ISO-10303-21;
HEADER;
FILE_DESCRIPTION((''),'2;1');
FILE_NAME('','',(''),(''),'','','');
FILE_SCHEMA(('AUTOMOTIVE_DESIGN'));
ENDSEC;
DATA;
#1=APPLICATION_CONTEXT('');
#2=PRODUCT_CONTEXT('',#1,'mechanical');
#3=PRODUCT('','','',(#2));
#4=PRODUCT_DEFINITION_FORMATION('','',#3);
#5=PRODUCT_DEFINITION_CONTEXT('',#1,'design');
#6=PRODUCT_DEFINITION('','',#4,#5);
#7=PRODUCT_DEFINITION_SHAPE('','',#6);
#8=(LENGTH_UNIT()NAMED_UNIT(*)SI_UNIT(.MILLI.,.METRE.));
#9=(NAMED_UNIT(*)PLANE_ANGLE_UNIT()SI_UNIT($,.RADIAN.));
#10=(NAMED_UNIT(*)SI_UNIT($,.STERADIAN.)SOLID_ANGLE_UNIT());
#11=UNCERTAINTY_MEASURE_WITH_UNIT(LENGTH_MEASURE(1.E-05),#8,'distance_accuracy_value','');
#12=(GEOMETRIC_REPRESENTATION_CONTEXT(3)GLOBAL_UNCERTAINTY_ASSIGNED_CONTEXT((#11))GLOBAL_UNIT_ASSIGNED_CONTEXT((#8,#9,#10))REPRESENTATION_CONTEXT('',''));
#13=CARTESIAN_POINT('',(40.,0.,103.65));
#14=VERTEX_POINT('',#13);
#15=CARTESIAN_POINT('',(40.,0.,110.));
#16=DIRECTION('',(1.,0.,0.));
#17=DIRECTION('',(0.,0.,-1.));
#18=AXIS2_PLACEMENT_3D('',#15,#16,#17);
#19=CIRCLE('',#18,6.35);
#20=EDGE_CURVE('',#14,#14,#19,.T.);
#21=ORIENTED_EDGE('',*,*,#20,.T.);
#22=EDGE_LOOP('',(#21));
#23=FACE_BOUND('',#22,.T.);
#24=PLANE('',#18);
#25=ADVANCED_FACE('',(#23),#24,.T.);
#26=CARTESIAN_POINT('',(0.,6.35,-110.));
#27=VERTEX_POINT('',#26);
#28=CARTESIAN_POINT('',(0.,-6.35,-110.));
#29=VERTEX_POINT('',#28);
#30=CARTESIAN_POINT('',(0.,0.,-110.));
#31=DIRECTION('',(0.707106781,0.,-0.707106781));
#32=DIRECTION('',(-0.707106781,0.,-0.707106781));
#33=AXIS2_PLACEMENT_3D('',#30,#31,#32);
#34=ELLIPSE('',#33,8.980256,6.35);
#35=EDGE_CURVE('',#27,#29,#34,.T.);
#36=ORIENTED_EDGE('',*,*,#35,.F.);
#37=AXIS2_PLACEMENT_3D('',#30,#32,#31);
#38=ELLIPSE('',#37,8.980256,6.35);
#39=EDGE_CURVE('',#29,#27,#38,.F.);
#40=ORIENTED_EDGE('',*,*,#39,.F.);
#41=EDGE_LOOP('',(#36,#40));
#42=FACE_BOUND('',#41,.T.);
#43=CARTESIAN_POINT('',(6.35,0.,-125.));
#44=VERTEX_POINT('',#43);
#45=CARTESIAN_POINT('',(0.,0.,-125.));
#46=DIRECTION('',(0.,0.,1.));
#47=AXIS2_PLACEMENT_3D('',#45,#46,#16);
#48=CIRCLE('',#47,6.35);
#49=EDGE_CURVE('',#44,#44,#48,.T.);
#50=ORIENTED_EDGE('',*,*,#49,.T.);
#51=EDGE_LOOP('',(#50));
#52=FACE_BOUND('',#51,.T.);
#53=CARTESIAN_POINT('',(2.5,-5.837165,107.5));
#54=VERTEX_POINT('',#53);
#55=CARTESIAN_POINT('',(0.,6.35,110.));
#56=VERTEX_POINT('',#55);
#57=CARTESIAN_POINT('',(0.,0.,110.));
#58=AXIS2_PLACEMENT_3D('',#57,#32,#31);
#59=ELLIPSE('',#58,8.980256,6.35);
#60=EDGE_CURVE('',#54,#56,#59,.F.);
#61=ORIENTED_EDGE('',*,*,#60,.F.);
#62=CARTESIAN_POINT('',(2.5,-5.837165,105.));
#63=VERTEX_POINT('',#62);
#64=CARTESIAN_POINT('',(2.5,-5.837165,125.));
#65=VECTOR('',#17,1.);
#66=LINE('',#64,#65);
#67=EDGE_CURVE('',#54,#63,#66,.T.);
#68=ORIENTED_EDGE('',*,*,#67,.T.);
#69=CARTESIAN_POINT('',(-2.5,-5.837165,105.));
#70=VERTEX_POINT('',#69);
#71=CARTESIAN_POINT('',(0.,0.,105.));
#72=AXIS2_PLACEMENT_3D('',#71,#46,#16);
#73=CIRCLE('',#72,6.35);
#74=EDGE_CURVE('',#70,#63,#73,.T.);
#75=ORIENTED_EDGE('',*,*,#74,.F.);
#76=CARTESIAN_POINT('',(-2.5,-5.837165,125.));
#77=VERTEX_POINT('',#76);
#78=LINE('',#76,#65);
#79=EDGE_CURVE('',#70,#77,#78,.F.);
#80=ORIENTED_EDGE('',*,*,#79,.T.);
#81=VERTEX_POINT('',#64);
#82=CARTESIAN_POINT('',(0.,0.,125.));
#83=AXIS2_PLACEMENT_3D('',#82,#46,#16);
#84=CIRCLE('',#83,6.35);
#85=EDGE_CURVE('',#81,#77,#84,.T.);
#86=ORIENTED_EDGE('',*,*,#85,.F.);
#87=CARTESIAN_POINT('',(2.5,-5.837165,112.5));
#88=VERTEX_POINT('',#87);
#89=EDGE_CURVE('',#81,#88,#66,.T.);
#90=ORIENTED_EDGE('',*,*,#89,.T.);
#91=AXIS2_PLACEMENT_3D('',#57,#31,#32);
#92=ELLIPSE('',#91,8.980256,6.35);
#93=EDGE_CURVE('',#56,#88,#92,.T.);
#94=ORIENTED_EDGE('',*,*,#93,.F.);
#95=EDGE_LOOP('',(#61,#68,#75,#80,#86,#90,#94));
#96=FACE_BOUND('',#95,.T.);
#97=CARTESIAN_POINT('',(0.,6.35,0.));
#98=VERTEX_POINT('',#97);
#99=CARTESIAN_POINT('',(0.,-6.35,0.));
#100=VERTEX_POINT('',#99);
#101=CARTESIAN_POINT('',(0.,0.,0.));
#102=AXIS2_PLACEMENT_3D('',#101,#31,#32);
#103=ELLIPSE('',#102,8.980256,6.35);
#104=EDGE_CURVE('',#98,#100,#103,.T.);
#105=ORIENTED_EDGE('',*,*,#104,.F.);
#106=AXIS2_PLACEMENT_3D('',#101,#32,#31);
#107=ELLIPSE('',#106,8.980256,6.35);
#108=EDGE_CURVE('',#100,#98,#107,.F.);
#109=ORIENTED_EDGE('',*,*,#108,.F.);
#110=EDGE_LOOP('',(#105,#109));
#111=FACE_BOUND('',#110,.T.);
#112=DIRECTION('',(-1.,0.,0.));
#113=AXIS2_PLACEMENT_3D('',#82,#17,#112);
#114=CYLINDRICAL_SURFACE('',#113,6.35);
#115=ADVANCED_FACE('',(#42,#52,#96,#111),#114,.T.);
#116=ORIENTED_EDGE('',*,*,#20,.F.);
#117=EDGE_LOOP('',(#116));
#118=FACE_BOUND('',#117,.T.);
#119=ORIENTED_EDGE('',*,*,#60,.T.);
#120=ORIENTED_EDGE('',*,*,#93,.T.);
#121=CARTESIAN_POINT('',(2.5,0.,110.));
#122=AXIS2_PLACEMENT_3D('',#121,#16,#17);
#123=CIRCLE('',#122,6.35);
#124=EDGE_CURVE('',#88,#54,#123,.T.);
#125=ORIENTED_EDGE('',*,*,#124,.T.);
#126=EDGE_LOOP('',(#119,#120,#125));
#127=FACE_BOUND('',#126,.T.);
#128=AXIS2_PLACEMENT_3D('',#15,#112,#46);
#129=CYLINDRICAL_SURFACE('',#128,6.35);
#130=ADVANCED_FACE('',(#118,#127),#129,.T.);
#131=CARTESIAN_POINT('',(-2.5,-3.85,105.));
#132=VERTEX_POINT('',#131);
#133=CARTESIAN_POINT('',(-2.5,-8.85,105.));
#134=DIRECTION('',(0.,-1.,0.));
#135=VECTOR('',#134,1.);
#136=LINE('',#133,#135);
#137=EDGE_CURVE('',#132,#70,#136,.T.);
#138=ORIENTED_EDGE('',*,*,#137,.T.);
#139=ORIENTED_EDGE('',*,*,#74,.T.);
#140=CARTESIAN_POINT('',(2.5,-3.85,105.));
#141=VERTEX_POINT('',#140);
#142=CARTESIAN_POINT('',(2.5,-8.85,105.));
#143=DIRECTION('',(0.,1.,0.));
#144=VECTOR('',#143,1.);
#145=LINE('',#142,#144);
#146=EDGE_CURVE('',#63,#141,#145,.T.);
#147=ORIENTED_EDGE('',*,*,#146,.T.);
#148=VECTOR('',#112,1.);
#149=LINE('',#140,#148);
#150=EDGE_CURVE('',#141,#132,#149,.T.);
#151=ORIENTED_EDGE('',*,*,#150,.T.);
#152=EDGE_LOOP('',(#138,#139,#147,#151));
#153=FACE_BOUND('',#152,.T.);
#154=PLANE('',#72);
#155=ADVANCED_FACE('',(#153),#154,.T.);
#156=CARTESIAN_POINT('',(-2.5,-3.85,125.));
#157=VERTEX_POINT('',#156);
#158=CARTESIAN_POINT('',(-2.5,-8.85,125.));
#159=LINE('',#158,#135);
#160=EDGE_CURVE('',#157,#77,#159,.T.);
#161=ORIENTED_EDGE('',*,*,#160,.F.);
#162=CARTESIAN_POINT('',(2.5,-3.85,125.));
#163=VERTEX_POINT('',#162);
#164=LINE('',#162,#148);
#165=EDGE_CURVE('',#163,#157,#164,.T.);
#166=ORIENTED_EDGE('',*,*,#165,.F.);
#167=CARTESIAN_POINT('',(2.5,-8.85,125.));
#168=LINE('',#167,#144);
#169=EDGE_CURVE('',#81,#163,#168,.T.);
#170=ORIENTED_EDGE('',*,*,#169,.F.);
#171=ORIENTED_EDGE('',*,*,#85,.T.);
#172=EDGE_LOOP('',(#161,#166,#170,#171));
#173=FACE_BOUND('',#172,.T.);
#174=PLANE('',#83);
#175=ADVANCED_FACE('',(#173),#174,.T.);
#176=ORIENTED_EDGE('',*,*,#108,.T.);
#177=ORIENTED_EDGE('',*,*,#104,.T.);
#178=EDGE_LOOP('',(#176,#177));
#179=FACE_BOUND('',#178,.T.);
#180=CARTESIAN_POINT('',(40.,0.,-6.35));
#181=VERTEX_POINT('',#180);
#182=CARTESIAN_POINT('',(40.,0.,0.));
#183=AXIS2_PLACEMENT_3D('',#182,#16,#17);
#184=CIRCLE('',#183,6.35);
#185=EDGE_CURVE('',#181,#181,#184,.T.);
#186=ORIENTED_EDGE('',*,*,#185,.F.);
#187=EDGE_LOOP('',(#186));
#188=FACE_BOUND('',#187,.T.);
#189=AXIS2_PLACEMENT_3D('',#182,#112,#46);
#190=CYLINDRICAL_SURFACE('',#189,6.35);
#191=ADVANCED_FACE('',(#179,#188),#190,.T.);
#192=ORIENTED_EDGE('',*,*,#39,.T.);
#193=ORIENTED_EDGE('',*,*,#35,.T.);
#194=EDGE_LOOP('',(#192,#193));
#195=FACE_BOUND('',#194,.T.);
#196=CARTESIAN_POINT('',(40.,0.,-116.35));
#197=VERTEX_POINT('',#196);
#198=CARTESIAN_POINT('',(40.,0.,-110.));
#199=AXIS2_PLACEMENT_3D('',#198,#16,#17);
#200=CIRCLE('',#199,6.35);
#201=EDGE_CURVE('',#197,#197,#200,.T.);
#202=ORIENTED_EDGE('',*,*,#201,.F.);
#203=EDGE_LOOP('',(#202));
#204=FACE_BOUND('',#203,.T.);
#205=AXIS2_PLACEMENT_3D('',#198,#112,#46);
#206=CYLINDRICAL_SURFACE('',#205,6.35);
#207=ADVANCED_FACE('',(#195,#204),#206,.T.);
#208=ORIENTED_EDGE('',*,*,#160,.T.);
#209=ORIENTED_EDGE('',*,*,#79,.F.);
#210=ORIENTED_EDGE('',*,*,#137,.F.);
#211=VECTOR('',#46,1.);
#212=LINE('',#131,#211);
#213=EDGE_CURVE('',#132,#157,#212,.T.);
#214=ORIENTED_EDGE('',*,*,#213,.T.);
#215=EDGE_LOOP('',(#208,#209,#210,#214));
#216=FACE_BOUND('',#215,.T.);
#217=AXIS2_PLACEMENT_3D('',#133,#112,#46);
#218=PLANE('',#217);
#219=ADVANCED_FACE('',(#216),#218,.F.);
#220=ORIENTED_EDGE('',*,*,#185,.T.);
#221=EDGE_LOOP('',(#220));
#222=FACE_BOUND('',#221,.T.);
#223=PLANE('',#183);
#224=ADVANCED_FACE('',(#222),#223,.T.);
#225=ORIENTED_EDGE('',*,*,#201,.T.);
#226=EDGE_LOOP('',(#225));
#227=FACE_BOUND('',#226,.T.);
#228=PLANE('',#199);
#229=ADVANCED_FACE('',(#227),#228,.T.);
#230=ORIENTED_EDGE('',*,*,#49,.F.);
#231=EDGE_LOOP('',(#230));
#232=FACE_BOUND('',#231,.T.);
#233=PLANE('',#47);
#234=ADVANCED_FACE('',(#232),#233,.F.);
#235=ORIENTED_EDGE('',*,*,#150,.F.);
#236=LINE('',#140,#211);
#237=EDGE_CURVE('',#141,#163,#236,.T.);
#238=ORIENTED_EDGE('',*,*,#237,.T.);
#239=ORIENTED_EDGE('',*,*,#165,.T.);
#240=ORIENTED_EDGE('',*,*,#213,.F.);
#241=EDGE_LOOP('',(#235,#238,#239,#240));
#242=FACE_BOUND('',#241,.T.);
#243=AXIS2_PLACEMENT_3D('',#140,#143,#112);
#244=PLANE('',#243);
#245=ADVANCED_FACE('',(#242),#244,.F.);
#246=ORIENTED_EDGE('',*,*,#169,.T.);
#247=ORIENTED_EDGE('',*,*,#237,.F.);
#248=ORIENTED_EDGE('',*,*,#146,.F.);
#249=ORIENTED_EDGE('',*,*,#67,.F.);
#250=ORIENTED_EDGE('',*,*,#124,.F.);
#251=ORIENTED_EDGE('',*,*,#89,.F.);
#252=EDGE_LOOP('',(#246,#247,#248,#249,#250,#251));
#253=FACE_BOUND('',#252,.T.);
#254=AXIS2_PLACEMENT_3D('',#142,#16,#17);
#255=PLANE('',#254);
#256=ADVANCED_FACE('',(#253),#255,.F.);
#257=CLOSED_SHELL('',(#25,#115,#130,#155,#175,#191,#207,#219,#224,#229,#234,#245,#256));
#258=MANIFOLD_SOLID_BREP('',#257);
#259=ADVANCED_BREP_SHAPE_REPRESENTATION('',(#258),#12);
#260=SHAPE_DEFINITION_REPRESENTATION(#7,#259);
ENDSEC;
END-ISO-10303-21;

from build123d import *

# Parameters (mm, degrees)
CROQUIS1_R              = 6.35
SALIENTE_EXTRUIR1_DEPTH = 125
CROQUIS2_R              = 6.35
SALIENTE_EXTRUIR2_DEPTH = 40
CROQUIS3_W              = 5
CROQUIS3_H              = 5
CORTAR_EXTRUIR1_DEPTH   = 20


with BuildPart() as part:
    # Croquis1 → Saliente-Extruir1 (new, symmetric)
    with BuildSketch(Plane.XY):
        Circle(CROQUIS1_R)
    extrude(amount=SALIENTE_EXTRUIR1_DEPTH, both=True)

    # Croquis2 → Saliente-Extruir2 (add)
    with BuildSketch(Plane(origin=(0, 0, 0), x_dir=(0, 0, -1), z_dir=(1, 0, 0))):
        Circle(CROQUIS2_R)
        with Locations((110, 0)):
            Circle(CROQUIS2_R)
        with Locations((-110, 0)):
            Circle(CROQUIS2_R)
    extrude(amount=SALIENTE_EXTRUIR2_DEPTH)

    # Croquis3 → Cortar-Extruir1 (cut)
    with BuildSketch(Plane.XY.offset(125)):
        with Locations((0, -6.35)):
            Rectangle(CROQUIS3_W, CROQUIS3_H)
    extrude(amount=-CORTAR_EXTRUIR1_DEPTH, mode=Mode.SUBTRACT)


solid = part.part
